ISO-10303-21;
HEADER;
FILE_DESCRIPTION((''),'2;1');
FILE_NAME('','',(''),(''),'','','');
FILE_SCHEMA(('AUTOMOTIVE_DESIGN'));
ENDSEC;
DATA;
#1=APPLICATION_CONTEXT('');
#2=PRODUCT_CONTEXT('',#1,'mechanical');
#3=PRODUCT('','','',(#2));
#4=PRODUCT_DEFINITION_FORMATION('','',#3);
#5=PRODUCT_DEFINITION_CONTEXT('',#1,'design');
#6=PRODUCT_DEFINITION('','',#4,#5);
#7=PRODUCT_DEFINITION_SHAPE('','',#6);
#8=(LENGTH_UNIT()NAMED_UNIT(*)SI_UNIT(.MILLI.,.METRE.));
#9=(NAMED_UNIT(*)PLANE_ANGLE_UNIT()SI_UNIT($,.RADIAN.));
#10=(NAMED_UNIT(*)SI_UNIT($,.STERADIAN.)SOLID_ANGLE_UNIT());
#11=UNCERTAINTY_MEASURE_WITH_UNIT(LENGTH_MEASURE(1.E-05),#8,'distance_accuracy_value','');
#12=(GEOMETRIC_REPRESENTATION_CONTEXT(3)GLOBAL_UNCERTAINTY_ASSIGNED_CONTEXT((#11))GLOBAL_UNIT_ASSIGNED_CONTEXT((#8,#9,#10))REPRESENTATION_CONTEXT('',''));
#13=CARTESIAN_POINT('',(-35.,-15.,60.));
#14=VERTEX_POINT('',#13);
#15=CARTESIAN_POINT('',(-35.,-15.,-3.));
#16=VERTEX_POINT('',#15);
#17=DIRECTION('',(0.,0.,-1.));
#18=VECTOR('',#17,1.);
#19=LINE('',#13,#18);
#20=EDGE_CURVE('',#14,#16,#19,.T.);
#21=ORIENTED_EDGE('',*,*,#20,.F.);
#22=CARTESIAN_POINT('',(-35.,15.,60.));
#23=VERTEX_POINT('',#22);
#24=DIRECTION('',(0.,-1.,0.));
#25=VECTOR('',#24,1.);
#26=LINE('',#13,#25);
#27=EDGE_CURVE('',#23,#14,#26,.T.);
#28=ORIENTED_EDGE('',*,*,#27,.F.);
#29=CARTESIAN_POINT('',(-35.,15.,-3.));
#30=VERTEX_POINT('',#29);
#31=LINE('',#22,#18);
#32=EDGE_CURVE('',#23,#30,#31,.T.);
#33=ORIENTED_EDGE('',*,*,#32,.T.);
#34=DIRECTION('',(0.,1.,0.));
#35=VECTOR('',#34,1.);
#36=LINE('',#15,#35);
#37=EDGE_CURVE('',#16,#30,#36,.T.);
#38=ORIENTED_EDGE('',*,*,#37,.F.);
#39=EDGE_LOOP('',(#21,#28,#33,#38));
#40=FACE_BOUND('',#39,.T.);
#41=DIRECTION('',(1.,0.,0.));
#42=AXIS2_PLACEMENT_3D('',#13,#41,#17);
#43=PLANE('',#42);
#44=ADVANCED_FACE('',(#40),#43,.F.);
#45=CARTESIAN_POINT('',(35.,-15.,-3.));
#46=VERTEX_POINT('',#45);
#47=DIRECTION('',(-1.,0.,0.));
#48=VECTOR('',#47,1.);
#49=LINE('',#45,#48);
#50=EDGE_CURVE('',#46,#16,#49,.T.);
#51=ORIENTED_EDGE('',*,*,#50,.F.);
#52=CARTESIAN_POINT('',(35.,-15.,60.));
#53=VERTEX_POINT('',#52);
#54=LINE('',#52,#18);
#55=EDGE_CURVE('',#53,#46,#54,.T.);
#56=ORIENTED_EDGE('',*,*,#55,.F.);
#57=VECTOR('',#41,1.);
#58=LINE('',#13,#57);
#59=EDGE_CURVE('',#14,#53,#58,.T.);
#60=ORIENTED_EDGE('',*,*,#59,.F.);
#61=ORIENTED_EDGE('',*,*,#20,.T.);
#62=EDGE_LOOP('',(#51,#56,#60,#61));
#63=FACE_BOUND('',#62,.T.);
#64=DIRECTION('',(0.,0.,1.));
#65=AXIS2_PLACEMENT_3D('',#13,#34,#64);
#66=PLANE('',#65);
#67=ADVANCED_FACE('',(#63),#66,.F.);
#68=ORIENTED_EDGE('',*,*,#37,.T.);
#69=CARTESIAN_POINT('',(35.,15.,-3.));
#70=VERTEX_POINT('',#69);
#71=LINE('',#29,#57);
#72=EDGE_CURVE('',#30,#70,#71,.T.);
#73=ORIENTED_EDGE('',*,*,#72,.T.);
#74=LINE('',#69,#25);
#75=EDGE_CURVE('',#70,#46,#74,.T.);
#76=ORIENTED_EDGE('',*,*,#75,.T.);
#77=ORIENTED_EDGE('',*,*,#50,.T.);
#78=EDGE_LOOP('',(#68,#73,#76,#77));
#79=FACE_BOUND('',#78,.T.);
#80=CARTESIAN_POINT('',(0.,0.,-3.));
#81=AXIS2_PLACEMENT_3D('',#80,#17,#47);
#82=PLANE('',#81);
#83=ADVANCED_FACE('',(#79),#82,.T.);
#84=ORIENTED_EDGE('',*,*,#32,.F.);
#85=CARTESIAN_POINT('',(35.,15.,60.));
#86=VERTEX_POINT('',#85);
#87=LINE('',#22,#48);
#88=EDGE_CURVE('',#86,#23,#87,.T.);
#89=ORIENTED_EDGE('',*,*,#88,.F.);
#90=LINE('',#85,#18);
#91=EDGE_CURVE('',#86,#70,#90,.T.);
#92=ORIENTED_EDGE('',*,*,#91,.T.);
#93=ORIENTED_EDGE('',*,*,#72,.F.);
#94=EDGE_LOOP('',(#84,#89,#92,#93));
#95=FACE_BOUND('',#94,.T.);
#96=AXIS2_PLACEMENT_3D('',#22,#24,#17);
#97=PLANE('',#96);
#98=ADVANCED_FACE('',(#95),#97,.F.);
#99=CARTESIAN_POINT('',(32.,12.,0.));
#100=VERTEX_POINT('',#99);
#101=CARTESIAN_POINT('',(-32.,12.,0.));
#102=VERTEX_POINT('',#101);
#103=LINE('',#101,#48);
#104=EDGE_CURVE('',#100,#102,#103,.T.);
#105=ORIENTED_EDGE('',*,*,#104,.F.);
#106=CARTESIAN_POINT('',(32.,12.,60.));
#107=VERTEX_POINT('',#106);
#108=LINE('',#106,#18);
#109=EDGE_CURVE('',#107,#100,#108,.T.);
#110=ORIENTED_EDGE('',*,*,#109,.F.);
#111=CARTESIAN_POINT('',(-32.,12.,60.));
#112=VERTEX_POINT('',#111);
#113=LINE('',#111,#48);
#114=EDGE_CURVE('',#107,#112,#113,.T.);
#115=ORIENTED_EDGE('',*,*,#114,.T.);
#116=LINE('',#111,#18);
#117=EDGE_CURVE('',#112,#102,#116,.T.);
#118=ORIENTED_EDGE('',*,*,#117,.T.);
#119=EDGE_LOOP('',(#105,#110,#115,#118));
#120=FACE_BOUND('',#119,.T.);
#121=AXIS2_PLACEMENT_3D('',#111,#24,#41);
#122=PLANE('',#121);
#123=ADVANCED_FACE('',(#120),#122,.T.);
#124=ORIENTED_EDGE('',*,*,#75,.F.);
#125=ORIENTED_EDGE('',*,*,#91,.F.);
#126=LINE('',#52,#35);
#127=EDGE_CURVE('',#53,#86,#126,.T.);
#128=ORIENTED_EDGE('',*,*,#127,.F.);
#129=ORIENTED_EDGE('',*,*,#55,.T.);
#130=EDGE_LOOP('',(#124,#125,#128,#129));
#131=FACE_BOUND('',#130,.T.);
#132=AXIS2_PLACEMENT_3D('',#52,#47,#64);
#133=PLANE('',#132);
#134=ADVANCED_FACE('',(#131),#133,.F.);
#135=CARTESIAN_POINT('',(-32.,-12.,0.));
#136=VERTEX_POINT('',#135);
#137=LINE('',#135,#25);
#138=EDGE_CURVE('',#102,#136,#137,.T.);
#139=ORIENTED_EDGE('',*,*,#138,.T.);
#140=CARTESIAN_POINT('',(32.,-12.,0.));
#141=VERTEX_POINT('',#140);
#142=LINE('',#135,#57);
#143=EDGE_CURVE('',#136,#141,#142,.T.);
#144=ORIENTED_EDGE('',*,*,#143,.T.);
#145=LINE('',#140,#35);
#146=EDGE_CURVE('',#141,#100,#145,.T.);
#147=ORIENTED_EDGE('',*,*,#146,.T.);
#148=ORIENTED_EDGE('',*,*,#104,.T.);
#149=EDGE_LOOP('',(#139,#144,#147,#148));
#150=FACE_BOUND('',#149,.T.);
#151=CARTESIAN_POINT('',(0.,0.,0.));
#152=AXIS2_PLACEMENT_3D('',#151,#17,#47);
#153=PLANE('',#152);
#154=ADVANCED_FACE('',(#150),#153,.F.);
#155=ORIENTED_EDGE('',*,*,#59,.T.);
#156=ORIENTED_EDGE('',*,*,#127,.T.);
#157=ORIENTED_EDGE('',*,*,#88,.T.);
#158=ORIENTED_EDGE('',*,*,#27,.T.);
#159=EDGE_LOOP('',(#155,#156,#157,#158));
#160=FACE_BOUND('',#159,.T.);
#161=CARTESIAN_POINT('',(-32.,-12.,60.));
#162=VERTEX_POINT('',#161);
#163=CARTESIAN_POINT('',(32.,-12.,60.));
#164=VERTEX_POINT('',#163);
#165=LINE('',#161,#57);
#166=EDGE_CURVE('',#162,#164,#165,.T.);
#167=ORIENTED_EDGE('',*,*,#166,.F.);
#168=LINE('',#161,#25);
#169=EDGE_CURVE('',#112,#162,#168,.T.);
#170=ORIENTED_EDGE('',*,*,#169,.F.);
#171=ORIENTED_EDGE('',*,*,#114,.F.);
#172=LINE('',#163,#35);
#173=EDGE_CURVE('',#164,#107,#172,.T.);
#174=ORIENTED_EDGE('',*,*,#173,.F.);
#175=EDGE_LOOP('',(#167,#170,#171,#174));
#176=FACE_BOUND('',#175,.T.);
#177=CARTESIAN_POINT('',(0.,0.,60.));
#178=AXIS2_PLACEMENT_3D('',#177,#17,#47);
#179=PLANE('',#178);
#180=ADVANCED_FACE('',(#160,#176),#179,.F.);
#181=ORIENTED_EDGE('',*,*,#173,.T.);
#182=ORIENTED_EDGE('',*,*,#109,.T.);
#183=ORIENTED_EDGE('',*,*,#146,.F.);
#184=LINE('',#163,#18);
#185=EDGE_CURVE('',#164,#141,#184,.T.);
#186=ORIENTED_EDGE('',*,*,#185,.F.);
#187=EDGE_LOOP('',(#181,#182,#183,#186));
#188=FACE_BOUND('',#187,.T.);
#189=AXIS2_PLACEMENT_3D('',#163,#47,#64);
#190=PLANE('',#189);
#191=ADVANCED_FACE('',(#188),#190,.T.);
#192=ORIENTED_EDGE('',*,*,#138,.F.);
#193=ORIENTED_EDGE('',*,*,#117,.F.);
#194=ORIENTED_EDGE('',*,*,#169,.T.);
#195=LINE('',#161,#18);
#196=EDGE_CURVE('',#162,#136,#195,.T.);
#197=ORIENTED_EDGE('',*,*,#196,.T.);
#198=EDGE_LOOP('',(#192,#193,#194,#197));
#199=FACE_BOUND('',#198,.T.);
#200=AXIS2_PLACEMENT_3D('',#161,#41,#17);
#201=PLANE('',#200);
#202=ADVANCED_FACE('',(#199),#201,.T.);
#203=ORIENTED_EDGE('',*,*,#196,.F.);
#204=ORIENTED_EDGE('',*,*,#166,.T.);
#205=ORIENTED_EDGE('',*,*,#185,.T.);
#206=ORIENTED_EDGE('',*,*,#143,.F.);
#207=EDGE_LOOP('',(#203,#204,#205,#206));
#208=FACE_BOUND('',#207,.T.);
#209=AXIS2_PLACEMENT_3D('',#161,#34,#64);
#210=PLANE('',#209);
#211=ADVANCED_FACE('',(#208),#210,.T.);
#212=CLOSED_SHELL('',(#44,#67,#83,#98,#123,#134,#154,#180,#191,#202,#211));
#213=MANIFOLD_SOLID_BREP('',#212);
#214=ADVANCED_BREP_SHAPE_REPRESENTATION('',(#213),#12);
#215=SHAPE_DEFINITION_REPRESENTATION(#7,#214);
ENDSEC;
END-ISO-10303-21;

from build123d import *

# Parameters (mm, degrees)
SKETCH1_W           = 70
SKETCH1_H           = 30
SKETCH1_W_2         = 64
SKETCH1_H_2         = 24
BOSS_EXTRUDE1_DEPTH = 60
SKETCH2_W           = 70
SKETCH2_H           = 30
BOSS_EXTRUDE2_DEPTH = 3


with BuildPart() as part:
    # Sketch1 → Boss-Extrude1 (new body)
    with BuildSketch(Plane.XY):
        Rectangle(SKETCH1_W, SKETCH1_H)
        Rectangle(SKETCH1_W_2, SKETCH1_H_2, mode=Mode.SUBTRACT)
    extrude(amount=BOSS_EXTRUDE1_DEPTH)

    # Sketch2 → Boss-Extrude2 (add)
    with BuildSketch(Plane(origin=(0, 0, 0), x_dir=(-1, 0, 0), z_dir=(0, 0, -1))):
        Rectangle(SKETCH2_W, SKETCH2_H)
    extrude(amount=BOSS_EXTRUDE2_DEPTH)


solid = part.part
